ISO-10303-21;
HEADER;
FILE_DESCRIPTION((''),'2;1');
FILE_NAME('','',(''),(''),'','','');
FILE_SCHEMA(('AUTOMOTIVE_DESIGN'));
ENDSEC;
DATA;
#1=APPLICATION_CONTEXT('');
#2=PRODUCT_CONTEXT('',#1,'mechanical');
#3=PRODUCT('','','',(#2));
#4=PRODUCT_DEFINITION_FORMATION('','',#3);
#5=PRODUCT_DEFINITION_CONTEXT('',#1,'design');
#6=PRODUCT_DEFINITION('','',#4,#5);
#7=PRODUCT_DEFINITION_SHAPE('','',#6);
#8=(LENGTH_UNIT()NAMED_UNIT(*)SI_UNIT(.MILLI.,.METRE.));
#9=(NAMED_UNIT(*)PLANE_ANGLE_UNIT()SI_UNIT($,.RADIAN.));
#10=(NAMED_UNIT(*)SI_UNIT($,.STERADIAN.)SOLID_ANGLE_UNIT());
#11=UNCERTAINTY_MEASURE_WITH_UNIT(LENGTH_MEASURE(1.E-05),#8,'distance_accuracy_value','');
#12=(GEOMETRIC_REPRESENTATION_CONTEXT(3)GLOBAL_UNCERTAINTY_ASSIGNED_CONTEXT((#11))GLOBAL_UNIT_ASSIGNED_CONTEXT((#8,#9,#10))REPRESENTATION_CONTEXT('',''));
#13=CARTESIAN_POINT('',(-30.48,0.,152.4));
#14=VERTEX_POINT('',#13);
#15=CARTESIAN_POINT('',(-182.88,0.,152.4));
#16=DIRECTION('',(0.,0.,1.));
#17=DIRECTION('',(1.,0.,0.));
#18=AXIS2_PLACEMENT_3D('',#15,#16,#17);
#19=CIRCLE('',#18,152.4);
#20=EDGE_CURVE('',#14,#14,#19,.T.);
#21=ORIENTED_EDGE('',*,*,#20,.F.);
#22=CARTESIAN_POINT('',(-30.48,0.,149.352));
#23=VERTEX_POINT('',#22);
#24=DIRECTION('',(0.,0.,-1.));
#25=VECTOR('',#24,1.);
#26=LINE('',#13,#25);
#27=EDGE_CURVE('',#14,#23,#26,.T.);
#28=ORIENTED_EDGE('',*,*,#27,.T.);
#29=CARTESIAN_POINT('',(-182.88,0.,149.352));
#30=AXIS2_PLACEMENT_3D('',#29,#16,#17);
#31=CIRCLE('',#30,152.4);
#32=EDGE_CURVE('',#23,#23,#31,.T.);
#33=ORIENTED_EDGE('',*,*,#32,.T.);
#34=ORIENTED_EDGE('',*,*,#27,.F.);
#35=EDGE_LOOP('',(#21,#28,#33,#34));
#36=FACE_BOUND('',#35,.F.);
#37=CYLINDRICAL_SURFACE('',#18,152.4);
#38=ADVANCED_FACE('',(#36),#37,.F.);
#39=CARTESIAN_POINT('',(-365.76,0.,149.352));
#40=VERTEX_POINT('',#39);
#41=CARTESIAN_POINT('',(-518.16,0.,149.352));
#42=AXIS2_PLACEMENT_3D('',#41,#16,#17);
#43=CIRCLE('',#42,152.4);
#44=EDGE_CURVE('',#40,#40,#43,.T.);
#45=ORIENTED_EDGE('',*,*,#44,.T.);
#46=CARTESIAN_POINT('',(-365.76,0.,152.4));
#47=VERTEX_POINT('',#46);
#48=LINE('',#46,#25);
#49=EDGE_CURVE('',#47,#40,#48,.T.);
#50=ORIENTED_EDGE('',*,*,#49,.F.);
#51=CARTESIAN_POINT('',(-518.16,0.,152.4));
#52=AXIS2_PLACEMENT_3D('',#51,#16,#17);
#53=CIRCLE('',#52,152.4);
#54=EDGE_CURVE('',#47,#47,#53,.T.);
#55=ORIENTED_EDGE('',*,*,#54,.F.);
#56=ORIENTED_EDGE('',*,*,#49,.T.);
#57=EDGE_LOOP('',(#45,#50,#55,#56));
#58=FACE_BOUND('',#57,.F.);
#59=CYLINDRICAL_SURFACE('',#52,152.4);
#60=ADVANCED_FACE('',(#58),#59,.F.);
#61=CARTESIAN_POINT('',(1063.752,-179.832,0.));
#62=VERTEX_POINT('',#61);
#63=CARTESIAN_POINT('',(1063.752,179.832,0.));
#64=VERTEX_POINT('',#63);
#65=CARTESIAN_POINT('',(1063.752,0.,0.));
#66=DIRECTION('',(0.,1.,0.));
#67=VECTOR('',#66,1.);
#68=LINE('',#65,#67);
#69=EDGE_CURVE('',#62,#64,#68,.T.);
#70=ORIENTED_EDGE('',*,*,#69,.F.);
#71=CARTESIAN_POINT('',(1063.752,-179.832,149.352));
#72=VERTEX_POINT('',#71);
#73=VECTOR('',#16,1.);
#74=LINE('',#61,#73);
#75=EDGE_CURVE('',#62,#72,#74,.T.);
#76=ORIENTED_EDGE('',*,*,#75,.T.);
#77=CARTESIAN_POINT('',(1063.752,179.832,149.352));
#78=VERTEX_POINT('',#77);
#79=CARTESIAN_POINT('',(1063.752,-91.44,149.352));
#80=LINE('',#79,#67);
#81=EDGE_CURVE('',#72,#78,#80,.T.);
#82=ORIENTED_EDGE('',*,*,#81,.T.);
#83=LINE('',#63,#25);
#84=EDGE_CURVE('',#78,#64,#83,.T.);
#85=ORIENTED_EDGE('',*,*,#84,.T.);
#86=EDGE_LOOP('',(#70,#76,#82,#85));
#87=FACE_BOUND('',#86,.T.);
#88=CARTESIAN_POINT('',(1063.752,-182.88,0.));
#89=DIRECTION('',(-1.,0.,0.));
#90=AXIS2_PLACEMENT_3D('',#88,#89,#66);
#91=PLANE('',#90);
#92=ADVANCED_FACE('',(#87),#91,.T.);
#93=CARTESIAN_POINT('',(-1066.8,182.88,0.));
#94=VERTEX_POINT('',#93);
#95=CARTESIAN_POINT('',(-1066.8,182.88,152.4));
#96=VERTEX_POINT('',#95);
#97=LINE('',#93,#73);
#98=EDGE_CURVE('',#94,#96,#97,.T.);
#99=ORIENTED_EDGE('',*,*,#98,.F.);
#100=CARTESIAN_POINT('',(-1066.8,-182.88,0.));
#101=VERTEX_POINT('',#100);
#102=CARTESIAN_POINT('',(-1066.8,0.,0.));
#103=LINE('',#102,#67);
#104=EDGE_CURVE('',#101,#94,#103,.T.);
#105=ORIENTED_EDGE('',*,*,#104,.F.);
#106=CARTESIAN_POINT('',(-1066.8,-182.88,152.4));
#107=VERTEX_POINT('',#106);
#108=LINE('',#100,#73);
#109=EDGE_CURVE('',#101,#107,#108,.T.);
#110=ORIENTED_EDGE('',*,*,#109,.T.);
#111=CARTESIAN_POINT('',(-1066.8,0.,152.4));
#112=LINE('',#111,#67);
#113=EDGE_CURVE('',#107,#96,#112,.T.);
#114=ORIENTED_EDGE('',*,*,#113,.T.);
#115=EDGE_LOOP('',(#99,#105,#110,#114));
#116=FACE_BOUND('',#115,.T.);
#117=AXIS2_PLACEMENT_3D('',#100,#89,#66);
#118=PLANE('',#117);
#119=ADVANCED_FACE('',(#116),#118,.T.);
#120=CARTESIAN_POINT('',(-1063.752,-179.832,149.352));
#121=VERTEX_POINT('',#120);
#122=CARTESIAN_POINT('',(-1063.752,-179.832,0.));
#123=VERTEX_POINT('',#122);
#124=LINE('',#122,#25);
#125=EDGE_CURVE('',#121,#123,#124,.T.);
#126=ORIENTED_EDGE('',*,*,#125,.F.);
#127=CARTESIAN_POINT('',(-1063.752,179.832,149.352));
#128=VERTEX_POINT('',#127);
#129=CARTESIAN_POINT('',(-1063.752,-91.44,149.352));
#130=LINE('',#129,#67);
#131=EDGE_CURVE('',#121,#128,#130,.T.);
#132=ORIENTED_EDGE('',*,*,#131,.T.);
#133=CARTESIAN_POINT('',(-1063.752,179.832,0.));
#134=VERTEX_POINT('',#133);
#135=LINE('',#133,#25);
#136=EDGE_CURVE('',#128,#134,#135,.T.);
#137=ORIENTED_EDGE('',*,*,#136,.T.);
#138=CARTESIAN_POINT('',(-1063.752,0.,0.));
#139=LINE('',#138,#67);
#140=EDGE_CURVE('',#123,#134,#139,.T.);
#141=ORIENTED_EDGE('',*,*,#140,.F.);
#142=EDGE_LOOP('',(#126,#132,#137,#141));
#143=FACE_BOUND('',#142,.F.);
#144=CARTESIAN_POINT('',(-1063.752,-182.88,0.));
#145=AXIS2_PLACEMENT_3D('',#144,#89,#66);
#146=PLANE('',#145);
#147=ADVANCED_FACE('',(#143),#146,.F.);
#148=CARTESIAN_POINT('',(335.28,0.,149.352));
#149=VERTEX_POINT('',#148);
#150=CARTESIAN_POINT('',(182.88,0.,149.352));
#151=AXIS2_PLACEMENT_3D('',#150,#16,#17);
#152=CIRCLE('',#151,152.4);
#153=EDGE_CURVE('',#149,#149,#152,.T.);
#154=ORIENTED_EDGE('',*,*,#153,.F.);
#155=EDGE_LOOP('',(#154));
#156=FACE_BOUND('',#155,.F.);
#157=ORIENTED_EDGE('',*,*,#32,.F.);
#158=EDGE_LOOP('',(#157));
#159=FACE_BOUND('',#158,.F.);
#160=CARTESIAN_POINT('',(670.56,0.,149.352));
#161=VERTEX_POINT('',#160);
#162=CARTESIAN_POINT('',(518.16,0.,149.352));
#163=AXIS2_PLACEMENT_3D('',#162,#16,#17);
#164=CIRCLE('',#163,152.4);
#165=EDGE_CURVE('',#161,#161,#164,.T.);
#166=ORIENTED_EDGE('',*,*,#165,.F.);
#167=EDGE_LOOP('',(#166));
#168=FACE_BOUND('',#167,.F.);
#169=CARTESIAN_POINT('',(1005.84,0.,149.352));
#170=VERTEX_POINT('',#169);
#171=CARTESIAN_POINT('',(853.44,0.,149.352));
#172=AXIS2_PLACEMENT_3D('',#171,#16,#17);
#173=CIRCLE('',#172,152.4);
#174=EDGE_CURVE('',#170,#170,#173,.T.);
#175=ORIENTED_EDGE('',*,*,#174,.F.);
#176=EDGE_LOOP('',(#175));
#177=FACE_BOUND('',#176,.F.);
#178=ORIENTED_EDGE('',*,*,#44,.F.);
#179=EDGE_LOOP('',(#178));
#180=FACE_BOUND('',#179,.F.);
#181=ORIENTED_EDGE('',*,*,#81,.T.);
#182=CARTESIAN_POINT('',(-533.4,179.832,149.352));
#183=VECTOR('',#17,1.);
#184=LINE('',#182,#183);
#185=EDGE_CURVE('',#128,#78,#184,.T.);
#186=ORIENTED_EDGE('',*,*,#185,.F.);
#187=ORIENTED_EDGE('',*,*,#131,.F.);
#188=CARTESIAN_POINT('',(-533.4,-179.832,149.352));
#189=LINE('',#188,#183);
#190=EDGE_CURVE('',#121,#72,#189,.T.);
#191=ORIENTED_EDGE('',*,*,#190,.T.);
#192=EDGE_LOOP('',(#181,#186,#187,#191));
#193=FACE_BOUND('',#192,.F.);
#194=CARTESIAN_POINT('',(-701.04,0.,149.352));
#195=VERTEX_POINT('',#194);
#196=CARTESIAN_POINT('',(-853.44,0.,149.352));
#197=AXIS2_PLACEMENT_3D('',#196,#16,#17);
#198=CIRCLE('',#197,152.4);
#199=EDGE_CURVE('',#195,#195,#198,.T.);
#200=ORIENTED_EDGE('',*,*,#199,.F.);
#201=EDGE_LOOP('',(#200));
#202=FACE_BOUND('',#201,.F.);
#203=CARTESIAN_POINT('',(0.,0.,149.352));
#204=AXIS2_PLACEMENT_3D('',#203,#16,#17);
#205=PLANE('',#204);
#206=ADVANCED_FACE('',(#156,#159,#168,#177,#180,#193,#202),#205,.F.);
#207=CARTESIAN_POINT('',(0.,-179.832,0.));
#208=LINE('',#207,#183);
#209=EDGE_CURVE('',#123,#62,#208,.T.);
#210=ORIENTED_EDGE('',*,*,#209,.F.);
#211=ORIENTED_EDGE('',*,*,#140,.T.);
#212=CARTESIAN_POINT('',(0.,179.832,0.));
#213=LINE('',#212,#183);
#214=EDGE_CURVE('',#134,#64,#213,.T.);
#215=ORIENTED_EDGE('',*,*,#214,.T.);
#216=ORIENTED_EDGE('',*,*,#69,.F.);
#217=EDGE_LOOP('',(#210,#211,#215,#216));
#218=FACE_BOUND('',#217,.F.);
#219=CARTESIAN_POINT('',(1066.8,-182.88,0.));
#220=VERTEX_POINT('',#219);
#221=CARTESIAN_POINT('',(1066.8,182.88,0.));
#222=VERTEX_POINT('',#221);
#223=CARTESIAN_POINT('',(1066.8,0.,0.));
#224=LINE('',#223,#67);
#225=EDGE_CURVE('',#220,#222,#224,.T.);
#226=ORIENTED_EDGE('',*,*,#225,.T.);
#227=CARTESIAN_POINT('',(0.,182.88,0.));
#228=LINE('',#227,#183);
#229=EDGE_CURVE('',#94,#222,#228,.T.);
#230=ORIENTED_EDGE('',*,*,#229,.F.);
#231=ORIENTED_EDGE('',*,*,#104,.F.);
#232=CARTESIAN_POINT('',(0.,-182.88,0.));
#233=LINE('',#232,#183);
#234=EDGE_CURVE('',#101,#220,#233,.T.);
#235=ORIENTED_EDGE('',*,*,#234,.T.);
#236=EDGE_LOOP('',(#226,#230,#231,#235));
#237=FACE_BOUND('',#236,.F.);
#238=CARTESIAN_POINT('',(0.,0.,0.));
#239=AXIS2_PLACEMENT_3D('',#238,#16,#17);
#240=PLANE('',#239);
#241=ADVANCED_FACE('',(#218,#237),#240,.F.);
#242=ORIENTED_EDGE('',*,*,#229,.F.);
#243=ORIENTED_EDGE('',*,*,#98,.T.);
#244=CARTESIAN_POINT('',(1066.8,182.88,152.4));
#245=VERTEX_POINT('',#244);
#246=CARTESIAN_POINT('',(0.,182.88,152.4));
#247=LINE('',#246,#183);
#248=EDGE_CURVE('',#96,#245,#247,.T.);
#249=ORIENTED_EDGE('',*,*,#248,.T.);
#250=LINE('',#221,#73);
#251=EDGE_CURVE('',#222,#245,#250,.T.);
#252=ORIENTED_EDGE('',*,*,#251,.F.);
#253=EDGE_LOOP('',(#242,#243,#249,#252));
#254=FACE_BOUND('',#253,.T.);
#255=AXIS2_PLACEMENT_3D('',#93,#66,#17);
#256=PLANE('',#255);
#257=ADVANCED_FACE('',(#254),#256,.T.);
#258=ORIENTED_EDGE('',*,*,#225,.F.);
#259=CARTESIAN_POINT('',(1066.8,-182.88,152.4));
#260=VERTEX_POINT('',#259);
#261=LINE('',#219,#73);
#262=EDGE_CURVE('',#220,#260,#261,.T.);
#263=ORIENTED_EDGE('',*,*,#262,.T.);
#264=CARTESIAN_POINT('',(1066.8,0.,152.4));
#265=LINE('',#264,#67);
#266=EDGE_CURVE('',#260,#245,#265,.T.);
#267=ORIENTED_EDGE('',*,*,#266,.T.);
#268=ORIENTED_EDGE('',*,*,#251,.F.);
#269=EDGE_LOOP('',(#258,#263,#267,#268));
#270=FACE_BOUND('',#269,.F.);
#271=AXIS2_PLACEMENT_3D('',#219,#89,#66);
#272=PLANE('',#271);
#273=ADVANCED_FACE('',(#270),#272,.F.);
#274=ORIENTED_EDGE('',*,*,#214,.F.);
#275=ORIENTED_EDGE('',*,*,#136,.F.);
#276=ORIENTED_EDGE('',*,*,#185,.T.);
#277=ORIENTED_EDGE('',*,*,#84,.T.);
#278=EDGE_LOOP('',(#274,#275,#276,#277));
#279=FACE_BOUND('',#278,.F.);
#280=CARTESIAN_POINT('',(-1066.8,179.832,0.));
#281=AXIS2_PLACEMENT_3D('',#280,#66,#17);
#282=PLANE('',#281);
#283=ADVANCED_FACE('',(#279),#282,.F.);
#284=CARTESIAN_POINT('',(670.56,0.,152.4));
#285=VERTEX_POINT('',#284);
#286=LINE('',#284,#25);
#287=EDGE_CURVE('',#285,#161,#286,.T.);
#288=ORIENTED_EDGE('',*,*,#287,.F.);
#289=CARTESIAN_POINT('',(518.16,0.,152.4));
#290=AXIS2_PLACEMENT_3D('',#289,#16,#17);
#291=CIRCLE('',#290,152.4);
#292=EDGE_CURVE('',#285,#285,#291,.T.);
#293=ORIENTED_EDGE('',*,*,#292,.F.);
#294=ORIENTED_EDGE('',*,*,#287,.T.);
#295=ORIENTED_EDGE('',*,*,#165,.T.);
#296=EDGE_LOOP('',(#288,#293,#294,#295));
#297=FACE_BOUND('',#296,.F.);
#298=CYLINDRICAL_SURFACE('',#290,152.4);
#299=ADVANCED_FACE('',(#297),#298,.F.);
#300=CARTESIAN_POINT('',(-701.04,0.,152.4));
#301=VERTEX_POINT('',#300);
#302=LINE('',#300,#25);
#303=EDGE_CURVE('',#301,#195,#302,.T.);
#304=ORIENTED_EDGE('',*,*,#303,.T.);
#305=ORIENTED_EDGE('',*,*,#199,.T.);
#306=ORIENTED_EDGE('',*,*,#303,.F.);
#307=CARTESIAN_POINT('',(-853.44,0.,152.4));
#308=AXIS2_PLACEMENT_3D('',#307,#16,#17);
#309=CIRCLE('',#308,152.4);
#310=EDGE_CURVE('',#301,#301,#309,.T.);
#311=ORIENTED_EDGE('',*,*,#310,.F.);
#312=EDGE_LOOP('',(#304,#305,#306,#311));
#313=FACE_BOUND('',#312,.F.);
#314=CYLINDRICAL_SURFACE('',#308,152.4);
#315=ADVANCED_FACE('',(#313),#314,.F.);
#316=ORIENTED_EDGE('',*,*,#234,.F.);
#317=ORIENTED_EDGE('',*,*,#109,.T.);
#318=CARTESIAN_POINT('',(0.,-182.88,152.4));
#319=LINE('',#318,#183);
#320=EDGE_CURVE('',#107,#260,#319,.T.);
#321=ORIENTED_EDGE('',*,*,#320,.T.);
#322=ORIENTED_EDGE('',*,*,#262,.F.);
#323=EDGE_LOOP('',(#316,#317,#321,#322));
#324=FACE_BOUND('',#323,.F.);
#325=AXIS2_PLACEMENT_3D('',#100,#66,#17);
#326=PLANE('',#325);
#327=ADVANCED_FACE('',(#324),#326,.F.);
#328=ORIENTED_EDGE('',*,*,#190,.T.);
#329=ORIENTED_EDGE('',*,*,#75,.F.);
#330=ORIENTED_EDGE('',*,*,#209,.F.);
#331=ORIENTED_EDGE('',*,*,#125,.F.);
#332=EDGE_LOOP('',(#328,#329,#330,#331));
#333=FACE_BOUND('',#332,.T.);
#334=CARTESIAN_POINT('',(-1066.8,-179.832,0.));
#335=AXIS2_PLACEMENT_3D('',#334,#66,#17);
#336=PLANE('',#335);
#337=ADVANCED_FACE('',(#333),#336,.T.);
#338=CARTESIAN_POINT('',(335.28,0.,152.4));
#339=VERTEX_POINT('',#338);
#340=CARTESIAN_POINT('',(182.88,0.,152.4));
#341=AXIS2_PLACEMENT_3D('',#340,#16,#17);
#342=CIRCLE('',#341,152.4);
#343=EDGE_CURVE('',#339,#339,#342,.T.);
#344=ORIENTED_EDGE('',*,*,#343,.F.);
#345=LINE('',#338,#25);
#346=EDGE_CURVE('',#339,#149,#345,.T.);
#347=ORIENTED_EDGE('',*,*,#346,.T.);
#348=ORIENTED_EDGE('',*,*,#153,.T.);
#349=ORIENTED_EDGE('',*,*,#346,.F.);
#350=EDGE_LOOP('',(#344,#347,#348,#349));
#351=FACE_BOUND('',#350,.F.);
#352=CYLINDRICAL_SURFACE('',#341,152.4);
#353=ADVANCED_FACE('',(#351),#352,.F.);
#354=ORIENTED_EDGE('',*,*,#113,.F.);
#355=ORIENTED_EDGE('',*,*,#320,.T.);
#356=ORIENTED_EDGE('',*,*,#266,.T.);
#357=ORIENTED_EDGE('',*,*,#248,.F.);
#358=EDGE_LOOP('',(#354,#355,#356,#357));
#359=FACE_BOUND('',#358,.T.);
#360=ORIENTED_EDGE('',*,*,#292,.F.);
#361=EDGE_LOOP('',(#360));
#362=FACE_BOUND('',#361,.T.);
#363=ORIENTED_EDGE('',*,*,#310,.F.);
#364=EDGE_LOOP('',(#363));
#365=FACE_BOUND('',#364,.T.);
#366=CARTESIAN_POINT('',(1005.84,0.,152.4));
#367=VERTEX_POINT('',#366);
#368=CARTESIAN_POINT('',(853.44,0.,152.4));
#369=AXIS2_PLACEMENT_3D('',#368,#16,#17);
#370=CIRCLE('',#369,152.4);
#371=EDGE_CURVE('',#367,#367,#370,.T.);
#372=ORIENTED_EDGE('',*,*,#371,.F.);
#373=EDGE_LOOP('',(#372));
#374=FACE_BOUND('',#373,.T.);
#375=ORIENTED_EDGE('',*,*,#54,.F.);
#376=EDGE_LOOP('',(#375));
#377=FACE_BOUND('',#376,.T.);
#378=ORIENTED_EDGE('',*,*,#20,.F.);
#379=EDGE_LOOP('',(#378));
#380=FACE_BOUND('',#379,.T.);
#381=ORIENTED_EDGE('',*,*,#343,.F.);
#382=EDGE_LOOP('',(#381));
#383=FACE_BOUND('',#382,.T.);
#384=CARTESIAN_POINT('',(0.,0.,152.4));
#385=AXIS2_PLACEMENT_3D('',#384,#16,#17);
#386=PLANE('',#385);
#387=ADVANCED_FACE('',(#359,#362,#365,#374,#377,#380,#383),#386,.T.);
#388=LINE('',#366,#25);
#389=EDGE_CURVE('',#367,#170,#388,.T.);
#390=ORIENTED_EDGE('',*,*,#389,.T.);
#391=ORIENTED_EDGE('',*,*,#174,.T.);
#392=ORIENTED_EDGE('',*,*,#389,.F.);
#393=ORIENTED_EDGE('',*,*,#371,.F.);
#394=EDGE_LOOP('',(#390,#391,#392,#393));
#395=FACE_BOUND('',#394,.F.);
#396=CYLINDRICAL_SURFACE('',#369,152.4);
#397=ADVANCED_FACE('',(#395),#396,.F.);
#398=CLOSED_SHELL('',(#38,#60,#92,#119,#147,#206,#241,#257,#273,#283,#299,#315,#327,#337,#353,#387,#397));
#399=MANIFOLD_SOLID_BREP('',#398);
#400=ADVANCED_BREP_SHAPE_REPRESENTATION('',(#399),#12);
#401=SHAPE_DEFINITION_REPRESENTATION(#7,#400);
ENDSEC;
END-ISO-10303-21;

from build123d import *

# Parameters (mm, degrees)
F0_W     = 2133.6
F0_H     = 365.76
F1_DEPTH = 152.4
F2_T     = -3.048
F3_R     = 152.4
F4_DEPTH = 152.401


with BuildPart() as f1:
    # F0 (on Top) → F1 (new body)
    with BuildSketch(Plane.XY):
        Rectangle(F0_W, F0_H)
    extrude(amount=F1_DEPTH)

    # F2
    f2_openings = [f1.faces().sort_by_distance(p)[0] for p in [
        (0, 0, 0),
    ]]
    offset(amount=F2_T, openings=f2_openings)

    # F3 (on face) → F4 (cut, through all)
    with BuildSketch(Plane.XY.offset(152.4)):
        with Locations((182.88, 0)):
            Circle(F3_R)
        with Locations((518.16, 0)):
            Circle(F3_R)
        with Locations((853.44, 0)):
            Circle(F3_R)
        with Locations((-182.88, 0)):
            Circle(F3_R)
        with Locations((-518.16, 0)):
            Circle(F3_R)
        with Locations((-853.44, 0)):
            Circle(F3_R)
    extrude(amount=-F4_DEPTH, mode=Mode.SUBTRACT)


solid = f1.part
